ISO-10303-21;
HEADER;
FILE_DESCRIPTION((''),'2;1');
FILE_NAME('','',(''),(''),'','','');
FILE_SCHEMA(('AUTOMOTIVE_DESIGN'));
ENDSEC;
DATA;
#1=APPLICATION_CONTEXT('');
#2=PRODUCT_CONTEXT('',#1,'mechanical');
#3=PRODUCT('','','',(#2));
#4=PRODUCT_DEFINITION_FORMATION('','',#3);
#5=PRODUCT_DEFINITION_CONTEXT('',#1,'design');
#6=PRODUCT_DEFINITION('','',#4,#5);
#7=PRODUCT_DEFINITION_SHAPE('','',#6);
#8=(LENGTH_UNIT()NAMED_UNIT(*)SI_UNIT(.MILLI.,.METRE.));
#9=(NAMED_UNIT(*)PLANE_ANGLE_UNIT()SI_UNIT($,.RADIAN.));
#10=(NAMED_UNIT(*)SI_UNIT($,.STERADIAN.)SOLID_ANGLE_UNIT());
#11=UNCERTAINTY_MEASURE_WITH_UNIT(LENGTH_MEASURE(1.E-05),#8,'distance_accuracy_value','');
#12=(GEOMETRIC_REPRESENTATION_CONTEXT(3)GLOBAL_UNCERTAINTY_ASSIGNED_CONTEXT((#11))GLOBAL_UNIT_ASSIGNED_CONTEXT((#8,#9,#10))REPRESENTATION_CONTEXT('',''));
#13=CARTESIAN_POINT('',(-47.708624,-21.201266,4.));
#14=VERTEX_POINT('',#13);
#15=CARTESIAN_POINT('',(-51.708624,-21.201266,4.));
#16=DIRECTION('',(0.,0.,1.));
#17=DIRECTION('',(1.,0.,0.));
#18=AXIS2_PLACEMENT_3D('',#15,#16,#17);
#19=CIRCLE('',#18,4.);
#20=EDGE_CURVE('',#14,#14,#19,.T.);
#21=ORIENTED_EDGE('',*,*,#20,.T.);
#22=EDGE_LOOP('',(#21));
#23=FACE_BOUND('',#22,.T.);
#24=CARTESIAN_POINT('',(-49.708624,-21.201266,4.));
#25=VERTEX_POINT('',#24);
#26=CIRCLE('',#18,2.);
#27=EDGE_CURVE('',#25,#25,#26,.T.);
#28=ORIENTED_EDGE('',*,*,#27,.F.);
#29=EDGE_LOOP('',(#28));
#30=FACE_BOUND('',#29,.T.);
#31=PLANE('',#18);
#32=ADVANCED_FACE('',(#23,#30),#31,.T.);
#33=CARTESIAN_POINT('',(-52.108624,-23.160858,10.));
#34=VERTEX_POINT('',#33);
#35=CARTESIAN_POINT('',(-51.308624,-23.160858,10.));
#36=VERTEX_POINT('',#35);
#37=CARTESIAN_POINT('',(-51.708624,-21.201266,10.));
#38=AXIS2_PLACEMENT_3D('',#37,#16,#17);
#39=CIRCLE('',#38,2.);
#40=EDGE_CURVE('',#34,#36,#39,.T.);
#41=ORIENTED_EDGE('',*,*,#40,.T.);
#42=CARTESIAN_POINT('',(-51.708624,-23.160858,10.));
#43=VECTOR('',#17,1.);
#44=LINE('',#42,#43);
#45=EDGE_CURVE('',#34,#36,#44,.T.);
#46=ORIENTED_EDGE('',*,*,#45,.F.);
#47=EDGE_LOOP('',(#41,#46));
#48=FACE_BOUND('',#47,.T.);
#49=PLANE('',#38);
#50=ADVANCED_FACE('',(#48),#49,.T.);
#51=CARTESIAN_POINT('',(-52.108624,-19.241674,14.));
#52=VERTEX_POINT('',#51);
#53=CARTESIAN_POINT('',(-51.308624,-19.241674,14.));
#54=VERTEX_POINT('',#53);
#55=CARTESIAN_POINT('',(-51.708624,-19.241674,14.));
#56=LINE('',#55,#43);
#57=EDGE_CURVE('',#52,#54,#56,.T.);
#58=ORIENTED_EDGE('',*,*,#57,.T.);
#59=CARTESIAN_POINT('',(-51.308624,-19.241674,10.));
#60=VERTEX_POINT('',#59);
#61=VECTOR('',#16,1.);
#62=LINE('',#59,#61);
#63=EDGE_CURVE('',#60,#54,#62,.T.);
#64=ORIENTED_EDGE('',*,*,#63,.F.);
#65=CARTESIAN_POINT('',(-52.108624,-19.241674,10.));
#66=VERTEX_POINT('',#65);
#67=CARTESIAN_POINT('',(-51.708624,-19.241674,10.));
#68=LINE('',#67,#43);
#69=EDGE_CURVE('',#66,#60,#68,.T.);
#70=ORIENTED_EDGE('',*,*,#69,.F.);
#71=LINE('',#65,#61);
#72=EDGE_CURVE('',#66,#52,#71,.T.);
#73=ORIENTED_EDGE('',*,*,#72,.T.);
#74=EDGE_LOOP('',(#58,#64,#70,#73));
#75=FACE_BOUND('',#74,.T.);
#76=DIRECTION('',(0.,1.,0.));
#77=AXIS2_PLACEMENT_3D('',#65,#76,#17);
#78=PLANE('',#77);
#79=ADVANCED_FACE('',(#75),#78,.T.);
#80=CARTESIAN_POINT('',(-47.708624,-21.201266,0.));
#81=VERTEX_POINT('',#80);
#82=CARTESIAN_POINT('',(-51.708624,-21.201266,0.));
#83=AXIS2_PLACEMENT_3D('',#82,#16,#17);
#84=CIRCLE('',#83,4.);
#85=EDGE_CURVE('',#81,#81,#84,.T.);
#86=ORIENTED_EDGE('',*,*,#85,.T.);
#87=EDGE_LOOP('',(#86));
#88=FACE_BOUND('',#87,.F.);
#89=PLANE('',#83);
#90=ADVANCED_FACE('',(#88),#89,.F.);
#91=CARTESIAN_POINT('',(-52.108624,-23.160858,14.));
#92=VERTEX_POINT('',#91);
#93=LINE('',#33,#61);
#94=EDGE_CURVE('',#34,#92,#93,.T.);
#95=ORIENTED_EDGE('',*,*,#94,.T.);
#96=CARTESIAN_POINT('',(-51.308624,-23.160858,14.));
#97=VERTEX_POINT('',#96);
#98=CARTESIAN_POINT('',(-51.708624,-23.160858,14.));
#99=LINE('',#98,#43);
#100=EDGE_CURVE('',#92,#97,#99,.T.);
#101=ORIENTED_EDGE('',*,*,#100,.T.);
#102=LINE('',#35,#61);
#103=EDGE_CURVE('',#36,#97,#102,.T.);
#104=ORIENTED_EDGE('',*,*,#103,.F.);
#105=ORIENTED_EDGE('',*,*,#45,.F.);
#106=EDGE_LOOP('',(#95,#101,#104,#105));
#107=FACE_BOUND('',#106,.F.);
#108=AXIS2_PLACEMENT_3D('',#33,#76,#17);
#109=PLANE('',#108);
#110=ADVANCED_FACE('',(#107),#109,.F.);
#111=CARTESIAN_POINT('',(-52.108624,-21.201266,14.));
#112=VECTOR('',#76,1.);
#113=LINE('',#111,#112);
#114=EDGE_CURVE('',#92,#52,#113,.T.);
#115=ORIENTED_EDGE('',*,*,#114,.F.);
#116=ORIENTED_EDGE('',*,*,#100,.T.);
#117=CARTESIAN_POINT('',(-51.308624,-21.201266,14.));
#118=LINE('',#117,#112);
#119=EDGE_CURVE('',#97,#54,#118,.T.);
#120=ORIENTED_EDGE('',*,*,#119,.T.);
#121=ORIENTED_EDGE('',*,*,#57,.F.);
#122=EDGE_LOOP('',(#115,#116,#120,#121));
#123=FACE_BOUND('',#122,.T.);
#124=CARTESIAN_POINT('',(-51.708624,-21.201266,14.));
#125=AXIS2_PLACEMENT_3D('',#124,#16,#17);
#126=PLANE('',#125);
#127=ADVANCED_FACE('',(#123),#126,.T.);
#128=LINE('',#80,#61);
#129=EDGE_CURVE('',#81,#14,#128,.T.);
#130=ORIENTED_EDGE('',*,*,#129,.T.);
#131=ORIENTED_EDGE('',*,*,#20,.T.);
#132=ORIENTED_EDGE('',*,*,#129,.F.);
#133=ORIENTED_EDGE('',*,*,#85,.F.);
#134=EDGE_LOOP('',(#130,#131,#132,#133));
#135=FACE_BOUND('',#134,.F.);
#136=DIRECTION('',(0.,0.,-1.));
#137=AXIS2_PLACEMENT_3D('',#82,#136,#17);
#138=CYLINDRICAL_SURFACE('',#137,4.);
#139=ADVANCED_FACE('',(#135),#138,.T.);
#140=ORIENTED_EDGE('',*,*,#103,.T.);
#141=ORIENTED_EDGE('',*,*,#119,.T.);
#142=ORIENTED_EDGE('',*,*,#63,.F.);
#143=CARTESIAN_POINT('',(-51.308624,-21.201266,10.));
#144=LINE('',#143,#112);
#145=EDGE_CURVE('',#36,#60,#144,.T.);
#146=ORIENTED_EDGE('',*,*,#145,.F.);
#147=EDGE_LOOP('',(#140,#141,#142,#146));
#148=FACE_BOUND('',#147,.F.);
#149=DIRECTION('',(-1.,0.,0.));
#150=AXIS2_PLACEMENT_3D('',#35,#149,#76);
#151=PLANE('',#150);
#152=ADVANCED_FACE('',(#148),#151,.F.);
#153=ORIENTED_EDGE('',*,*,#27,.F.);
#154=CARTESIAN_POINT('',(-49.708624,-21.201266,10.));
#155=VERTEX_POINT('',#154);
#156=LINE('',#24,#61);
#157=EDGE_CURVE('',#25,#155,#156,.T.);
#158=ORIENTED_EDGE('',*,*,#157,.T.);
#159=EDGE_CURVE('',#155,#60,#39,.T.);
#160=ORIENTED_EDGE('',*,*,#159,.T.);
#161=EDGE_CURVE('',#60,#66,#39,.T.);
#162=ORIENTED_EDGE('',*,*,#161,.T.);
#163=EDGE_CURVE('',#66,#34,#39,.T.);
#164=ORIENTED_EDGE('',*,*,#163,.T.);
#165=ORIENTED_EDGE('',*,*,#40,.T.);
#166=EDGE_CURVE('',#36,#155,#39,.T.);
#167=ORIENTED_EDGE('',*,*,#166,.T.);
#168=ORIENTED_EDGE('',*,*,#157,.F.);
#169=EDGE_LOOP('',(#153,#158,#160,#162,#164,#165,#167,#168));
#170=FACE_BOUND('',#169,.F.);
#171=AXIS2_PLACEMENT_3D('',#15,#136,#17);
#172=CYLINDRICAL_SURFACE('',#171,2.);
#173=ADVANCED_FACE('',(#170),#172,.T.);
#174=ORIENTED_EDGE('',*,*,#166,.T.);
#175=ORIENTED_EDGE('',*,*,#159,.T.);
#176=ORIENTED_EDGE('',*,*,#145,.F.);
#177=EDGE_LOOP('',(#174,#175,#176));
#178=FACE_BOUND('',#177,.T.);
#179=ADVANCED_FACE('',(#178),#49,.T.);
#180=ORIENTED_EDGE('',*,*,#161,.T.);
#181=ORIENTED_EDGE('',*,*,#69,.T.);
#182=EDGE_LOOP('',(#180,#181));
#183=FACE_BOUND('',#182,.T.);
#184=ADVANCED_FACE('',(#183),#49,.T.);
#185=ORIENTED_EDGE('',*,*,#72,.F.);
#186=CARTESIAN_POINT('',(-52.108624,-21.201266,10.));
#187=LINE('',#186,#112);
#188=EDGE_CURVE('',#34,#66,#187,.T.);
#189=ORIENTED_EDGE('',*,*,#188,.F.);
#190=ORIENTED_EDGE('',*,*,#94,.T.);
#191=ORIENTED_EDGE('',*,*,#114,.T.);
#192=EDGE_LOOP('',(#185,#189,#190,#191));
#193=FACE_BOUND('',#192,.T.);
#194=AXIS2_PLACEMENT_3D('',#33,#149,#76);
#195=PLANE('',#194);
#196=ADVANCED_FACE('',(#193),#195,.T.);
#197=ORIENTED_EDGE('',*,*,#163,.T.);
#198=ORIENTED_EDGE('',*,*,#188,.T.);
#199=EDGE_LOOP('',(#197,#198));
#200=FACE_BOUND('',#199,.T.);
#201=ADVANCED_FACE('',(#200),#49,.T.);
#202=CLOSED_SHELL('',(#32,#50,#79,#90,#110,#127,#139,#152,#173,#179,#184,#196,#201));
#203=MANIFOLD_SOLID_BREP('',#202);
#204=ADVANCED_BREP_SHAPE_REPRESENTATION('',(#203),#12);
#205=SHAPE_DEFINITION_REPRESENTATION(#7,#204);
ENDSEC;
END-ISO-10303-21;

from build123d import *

# Parameters (mm, degrees)
F0_R     = 4
F1_DEPTH = 4
F2_R     = 2
F3_DEPTH = 6
F4_W     = 0.8
F4_H     = 3.919184
F5_DEPTH = 4


with BuildPart() as f1:
    # F0 (on Top) → F1 (new body)
    with BuildSketch(Plane.XY):
        with Locations((-51.708624, -21.201266)):
            Circle(F0_R)
    extrude(amount=F1_DEPTH)

    # F2 (on face) → F3 (join)
    with BuildSketch(Plane.XY.offset(4)):
        with Locations((-51.708624, -21.201266)):
            Circle(F2_R)
    extrude(amount=F3_DEPTH)

    # F4 (on face) → F5 (join)
    with BuildSketch(Plane.XY.offset(10)):
        with Locations((-51.708624, -21.201266)):
            Rectangle(F4_W, F4_H)
    extrude(amount=F5_DEPTH)


solid = f1.part
